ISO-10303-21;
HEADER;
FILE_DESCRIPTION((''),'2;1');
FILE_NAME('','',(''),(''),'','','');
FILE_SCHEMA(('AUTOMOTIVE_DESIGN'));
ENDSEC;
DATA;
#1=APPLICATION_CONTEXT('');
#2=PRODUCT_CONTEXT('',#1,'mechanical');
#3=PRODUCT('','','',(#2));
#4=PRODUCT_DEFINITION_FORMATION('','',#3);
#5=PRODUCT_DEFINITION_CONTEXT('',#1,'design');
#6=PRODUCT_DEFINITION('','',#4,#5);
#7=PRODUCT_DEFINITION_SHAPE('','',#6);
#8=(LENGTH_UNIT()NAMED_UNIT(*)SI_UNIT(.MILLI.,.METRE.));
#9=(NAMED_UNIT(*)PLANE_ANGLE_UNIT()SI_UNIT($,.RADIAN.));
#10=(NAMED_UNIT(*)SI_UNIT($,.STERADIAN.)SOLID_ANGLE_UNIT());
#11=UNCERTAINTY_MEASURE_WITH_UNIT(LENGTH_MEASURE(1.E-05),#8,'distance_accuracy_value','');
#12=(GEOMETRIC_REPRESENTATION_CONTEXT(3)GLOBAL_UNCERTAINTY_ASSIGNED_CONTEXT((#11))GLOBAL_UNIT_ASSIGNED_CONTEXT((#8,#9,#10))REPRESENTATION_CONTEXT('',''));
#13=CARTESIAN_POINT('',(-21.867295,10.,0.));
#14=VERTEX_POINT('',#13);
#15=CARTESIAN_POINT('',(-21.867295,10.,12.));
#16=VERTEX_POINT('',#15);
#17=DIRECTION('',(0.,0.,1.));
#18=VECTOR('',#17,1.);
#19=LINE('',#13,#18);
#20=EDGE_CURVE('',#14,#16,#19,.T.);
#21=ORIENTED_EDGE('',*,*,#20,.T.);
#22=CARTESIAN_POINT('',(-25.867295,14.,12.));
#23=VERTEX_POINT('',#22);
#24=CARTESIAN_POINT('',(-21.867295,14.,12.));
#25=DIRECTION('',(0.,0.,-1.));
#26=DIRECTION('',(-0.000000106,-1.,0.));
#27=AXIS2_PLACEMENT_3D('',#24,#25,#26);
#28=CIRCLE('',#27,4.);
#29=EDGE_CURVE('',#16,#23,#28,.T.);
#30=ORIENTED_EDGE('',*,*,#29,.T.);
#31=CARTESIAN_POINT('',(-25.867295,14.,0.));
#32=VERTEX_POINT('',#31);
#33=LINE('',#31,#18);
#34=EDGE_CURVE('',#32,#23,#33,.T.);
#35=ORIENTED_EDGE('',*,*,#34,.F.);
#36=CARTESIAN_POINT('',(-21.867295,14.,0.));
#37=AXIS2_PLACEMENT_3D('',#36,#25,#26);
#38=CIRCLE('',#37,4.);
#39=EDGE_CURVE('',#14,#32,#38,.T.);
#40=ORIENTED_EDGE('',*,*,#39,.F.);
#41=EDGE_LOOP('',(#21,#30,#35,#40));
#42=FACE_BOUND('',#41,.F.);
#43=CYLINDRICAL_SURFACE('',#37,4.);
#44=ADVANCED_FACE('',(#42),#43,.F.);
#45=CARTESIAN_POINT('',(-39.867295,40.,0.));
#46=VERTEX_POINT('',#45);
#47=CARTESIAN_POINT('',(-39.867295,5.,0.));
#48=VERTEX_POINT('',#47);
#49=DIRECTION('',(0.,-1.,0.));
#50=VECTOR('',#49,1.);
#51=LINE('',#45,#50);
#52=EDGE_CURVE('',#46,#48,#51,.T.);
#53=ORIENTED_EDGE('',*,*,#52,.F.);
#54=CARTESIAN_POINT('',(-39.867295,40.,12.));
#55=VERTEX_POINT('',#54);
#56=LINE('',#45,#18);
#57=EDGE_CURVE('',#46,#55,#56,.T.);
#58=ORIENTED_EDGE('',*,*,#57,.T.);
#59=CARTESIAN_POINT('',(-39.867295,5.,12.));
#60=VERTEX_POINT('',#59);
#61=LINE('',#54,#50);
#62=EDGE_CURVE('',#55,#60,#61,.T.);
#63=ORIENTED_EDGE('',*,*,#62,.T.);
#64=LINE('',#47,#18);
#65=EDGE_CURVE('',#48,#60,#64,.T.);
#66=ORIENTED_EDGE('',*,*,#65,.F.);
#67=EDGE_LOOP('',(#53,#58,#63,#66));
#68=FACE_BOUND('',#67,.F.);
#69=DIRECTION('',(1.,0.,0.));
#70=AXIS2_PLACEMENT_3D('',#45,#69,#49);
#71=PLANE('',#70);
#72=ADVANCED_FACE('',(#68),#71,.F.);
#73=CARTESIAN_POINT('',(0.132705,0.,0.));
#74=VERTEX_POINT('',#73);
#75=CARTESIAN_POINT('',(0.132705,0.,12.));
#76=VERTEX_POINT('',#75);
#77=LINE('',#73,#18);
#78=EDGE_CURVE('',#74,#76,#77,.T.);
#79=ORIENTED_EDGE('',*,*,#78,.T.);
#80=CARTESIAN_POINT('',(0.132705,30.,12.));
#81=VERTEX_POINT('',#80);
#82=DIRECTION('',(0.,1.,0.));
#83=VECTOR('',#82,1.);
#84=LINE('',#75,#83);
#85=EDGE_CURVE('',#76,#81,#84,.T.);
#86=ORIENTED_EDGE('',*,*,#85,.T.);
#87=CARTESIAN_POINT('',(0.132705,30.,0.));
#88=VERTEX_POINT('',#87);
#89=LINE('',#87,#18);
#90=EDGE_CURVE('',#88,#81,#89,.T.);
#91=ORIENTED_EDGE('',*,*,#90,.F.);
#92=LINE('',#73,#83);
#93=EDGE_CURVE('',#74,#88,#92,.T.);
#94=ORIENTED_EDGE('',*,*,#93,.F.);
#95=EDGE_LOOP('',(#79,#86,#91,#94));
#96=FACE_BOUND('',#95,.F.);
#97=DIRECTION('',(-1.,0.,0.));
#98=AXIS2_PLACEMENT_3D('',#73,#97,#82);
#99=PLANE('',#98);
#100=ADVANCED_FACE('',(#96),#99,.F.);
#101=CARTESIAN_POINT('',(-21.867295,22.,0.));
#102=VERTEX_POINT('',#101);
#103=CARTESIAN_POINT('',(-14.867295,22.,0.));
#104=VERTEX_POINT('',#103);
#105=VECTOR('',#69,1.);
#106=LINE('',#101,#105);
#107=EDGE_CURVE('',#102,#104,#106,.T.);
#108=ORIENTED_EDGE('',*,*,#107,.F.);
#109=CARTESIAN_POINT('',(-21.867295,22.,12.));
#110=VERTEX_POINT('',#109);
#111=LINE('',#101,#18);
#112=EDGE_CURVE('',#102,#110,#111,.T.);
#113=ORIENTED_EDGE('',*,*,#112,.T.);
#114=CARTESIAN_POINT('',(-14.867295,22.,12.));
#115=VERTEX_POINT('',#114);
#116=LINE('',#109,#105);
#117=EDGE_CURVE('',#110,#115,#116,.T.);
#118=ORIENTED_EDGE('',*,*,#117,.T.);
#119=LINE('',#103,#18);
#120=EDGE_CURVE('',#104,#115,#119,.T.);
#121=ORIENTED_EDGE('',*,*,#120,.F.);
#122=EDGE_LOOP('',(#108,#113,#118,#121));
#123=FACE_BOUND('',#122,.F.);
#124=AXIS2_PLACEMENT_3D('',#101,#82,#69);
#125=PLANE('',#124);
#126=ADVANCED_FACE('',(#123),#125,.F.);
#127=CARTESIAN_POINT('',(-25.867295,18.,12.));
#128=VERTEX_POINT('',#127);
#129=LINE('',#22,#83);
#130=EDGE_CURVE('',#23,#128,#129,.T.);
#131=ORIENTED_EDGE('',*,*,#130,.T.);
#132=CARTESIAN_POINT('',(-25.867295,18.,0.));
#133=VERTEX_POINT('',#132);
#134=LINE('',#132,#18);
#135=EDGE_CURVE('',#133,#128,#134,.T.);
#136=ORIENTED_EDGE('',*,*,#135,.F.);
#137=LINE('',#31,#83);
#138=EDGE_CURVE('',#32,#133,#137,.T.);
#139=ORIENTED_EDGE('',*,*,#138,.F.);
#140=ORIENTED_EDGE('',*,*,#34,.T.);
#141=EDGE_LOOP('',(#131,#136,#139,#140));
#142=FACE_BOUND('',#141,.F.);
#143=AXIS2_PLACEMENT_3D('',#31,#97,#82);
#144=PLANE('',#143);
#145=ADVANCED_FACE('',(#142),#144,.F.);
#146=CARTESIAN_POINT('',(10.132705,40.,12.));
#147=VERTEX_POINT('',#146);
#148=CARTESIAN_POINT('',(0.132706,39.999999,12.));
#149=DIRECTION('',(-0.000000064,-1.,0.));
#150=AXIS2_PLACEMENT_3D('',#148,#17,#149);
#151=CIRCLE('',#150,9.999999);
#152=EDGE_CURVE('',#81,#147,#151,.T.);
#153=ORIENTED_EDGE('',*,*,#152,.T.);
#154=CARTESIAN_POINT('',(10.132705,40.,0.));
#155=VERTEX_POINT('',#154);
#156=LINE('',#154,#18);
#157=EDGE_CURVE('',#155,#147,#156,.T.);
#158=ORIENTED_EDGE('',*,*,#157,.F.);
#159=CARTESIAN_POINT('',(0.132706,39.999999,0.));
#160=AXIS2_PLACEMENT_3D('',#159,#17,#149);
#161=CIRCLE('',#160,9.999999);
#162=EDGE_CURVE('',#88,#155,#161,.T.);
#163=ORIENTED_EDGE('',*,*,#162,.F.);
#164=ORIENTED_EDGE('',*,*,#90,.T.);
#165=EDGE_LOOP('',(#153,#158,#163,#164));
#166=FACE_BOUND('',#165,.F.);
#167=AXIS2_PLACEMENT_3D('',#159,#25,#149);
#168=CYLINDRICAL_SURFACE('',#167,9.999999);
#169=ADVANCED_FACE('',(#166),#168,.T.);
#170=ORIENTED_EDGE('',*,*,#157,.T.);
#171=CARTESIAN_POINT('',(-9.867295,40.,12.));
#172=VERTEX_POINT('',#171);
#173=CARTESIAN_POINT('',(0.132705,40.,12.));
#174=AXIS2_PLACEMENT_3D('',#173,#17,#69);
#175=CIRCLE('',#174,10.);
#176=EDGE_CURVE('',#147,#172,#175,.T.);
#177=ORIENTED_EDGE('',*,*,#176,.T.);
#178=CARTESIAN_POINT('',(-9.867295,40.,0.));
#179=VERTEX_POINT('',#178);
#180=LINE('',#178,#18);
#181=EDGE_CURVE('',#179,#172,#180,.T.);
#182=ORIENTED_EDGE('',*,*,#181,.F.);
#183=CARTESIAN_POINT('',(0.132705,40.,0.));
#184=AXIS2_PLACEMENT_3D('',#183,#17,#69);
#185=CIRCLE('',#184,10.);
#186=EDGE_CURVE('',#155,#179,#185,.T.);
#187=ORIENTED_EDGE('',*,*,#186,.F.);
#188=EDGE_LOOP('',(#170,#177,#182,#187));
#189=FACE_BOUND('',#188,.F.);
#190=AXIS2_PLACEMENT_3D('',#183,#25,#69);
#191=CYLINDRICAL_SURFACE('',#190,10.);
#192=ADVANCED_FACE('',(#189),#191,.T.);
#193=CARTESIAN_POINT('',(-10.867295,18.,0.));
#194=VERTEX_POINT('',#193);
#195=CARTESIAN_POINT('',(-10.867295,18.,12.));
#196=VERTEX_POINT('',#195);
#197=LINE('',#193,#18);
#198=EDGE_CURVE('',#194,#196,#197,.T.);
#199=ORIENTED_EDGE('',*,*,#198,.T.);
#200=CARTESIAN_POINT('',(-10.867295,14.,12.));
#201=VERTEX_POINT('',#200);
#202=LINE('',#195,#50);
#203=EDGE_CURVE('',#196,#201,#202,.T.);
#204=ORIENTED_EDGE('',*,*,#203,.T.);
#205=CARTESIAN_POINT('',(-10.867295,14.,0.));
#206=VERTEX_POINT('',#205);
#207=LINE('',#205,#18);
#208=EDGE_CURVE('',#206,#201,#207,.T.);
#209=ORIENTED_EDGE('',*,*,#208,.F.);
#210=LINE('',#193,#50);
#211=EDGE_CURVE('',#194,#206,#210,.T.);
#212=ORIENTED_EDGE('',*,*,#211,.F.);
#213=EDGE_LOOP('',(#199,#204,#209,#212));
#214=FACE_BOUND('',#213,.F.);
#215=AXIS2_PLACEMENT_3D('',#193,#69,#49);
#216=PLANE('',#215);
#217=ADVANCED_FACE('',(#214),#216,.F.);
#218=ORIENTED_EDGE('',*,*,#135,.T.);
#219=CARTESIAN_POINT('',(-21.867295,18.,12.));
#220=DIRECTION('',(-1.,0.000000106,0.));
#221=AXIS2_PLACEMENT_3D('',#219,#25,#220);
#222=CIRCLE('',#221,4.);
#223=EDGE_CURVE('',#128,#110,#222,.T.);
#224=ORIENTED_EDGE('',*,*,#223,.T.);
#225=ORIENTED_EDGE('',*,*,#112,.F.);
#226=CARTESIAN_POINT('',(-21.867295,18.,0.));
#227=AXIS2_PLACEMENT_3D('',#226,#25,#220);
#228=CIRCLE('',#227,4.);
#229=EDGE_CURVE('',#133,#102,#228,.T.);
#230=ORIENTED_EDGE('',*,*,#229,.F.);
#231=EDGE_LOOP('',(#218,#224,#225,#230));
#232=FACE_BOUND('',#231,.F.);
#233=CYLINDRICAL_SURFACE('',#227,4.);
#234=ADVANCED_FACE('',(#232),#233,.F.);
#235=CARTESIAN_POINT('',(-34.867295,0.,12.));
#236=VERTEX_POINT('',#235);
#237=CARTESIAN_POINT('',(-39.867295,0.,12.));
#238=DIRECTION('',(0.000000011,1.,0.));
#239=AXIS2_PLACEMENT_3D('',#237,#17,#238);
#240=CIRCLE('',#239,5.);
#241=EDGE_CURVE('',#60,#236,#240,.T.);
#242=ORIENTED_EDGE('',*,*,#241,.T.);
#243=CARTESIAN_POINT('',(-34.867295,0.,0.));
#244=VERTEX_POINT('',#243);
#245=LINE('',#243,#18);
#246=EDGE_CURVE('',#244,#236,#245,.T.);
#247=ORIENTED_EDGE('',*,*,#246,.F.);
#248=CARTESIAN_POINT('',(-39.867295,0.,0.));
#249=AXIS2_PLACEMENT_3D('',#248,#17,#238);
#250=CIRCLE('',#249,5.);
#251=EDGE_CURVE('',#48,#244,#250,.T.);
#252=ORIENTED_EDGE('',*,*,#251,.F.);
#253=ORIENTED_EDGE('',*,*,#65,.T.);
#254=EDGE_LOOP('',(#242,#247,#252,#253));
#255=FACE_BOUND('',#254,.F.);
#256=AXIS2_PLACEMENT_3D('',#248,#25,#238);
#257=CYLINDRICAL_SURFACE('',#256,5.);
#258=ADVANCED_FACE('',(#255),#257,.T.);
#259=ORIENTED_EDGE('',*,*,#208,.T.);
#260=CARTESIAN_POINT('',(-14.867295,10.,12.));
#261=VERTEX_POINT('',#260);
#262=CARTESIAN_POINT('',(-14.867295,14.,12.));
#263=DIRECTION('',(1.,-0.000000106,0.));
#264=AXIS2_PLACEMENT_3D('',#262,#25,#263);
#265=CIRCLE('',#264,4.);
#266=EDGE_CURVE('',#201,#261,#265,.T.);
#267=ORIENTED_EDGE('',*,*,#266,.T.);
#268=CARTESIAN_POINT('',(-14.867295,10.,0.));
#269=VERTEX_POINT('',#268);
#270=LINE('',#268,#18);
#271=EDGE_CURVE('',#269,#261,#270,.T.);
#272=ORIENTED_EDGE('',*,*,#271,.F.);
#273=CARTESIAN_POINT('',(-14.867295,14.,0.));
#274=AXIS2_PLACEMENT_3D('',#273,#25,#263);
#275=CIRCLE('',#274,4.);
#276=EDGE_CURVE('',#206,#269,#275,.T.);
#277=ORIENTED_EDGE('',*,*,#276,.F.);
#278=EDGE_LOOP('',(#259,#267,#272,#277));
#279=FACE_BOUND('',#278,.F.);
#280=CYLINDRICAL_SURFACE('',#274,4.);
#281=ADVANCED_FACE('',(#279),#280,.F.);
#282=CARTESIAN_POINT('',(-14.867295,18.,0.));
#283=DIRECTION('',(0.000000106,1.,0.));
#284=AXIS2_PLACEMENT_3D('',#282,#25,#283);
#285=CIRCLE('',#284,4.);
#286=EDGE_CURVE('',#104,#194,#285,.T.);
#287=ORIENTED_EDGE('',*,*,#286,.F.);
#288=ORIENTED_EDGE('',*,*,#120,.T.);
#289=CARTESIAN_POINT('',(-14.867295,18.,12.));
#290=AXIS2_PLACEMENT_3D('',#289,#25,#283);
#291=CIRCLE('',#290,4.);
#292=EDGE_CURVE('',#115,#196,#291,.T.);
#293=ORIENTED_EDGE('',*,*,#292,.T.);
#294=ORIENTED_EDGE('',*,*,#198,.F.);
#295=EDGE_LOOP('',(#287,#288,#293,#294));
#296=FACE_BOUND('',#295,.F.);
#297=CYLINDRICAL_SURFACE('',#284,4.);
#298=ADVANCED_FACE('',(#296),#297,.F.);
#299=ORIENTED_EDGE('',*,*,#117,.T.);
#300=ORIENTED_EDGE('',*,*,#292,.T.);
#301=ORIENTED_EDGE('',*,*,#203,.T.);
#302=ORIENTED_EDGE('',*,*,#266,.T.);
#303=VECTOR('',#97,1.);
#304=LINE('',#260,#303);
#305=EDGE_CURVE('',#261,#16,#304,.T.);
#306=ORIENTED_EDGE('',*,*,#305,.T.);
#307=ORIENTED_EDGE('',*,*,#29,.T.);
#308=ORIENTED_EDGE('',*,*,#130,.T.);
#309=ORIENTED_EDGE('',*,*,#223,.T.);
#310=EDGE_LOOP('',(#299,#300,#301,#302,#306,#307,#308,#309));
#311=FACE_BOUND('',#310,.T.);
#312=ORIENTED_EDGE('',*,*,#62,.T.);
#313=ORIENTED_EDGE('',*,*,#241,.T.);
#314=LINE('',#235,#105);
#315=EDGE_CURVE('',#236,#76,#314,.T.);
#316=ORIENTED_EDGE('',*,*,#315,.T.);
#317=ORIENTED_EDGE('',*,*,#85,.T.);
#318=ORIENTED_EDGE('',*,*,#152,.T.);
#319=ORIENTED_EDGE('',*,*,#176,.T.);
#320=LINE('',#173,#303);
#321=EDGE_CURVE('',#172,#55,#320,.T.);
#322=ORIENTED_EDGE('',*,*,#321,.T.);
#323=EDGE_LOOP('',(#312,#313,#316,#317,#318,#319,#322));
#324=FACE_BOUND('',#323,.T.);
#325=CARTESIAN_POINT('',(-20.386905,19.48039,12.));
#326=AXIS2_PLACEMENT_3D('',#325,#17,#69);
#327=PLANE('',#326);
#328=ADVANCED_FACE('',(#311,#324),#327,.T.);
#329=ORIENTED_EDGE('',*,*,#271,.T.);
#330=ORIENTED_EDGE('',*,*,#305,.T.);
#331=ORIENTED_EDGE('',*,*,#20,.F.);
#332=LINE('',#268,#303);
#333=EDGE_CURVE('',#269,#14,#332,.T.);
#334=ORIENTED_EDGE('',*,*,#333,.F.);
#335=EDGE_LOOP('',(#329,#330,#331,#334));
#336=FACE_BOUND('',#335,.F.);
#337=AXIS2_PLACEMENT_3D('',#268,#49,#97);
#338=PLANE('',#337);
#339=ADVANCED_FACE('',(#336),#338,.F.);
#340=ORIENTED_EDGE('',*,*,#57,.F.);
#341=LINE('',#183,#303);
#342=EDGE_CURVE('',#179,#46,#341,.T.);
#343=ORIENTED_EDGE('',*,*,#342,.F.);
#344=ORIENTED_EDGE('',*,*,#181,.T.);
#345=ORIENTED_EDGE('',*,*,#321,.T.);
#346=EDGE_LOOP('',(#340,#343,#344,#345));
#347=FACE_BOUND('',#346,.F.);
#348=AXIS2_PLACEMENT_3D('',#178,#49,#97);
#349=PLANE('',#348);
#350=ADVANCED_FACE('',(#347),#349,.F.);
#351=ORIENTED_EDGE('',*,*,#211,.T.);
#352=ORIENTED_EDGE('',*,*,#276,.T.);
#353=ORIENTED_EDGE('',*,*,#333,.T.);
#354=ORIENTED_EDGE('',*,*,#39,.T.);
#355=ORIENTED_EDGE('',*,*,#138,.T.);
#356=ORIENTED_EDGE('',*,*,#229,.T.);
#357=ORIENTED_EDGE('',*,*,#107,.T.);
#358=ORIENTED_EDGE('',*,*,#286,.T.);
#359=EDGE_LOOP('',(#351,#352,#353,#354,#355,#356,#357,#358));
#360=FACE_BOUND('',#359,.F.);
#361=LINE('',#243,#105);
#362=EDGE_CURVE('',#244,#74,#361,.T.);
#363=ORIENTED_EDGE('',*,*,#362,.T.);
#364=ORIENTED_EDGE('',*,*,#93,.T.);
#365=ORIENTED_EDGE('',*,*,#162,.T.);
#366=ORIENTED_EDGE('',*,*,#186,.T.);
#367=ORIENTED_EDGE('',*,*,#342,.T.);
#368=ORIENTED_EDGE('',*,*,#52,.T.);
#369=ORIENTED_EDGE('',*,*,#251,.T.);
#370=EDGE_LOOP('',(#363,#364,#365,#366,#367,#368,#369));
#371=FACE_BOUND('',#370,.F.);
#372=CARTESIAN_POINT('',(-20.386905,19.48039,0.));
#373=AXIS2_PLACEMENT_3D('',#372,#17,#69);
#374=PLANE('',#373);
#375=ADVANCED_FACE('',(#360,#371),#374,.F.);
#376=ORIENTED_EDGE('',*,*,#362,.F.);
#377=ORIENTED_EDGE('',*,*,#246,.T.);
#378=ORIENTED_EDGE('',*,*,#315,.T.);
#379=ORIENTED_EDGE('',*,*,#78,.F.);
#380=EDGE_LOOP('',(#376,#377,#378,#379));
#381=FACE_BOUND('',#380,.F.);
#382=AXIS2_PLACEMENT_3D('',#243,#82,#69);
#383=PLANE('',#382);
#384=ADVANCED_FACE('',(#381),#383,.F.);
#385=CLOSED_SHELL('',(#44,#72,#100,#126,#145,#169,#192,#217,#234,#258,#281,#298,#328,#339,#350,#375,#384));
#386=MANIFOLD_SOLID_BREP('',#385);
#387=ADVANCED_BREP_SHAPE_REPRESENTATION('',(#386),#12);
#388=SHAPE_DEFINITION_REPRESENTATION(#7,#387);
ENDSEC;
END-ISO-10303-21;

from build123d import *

# Parameters (mm, degrees)
F1_DEPTH = 12


with BuildPart() as f1:
    # F0 (on Top) → F1 (new body)
    with BuildSketch(Plane.XY):
        with BuildLine():
            Line((-9.867295, 40), (-39.867295, 40))
            Line((-39.867295, 40), (-39.867295, 5))
            ThreePointArc((-39.867295, 5), (-36.331761, 3.535534), (-34.867295, 0))
            Line((-34.867295, 0), (0.132705, 0))
            Line((0.132705, 0), (0.132705, 30))
            ThreePointArc((0.132705, 30), (-6.938363, 32.928932), (-9.867295, 40))
        make_face()
        with BuildLine():
            ThreePointArc((-25.867295, 18), (-24.695722, 20.828427), (-21.867295, 22))
            Line((-21.867295, 22), (-14.867295, 22))
            ThreePointArc((-14.867295, 22), (-12.038868, 20.828427), (-10.867295, 18))
            Line((-10.867295, 18), (-10.867295, 14))
            ThreePointArc((-10.867295, 14), (-12.038868, 11.171573), (-14.867295, 10))
            Line((-14.867295, 10), (-21.867295, 10))
            ThreePointArc((-21.867295, 10), (-24.695722, 11.171573), (-25.867295, 14))
            Line((-25.867295, 14), (-25.867295, 18))
        make_face(mode=Mode.SUBTRACT)
        with BuildLine():
            Line((0.132705, 40), (-9.867295, 40))
            ThreePointArc((-9.867295, 40), (-6.938363, 32.928932), (0.132705, 30))
            Line((0.132705, 30), (0.132705, 40))
        make_face()
        with BuildLine():
            ThreePointArc((10.132705, 40), (0.132705, 50), (-9.867295, 40))
            Line((-9.867295, 40), (0.132705, 40))
            Line((0.132705, 40), (0.132705, 30))
            ThreePointArc((0.132705, 30), (7.203773, 32.928932), (10.132705, 40))
        make_face()
        with BuildLine():
            Line((-39.867295, 0), (-39.867295, 5))
            ThreePointArc((-39.867295, 5), (-43.402829, -3.535534), (-34.867295, 0))
            Line((-34.867295, 0), (-39.867295, 0))
        make_face()
        with BuildLine():
            ThreePointArc((-34.867295, 0), (-36.331761, 3.535534), (-39.867295, 5))
            Line((-39.867295, 5), (-39.867295, 0))
            Line((-39.867295, 0), (-34.867295, 0))
        make_face()
    extrude(amount=F1_DEPTH)


solid = f1.part
